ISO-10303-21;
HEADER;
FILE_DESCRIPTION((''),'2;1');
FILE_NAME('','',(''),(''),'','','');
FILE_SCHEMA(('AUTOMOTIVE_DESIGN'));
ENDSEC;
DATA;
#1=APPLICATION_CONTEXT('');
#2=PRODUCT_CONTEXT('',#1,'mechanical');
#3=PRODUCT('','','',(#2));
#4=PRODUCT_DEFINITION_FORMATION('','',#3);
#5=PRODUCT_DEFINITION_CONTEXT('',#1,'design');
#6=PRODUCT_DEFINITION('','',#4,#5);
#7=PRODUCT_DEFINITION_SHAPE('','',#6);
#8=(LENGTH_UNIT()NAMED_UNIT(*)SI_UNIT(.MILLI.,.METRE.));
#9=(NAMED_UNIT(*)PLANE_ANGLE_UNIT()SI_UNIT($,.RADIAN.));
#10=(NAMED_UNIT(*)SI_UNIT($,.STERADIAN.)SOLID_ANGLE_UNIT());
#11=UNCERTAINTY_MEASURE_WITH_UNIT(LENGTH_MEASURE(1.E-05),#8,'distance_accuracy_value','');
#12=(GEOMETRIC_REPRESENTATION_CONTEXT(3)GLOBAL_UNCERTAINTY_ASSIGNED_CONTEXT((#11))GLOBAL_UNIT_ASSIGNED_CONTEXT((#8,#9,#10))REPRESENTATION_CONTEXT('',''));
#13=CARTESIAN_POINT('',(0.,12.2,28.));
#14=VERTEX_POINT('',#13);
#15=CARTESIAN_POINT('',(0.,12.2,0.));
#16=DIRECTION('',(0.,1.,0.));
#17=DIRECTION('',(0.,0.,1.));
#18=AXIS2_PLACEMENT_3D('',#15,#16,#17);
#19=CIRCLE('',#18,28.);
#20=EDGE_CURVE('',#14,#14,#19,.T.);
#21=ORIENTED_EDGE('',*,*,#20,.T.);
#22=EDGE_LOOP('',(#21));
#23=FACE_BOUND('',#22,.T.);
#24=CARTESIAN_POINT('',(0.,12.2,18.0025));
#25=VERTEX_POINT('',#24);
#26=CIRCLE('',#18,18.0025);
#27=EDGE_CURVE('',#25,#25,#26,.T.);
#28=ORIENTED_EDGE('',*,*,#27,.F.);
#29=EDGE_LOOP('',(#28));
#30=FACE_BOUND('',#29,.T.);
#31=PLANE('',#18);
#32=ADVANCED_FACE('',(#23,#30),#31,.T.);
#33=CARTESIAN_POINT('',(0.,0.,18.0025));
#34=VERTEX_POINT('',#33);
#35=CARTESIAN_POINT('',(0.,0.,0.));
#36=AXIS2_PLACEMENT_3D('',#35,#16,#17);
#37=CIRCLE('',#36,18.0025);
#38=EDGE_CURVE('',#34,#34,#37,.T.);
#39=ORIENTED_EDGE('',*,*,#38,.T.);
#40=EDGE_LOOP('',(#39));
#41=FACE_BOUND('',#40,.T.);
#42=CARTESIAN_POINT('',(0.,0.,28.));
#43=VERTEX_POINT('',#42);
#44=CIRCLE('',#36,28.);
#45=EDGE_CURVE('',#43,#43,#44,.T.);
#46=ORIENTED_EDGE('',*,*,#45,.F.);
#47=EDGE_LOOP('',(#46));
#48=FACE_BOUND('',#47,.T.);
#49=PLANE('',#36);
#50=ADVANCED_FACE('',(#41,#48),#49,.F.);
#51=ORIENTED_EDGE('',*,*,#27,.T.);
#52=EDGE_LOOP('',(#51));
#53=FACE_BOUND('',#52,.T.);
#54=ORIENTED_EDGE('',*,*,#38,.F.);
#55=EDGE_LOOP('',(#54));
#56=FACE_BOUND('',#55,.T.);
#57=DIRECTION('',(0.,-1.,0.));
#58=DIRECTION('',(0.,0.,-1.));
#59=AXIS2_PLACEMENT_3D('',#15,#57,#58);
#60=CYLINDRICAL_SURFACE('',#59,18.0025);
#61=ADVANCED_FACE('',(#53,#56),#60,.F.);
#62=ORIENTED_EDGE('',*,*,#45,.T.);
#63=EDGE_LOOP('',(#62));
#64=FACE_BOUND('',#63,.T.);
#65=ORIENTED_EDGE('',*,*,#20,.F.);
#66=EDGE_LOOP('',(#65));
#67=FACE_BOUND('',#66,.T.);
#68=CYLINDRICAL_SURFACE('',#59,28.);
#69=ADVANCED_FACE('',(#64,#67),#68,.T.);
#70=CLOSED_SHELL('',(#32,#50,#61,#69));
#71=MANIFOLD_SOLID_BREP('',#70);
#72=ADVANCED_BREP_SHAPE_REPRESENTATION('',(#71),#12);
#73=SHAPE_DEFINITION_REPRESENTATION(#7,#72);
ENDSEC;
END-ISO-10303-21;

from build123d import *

# Parameters (mm, degrees)
SKETCH1_R           = 28
BOSS_EXTRUDE1_DEPTH = 12.2
SKETCH2_R           = 18.0025
CUT_EXTRUDE1_DEPTH  = 13.2


with BuildPart() as part:
    # Sketch1 → Boss-Extrude1 (new body)
    with BuildSketch(Plane(origin=(0, 0, 0), x_dir=(1, 0, 0), z_dir=(0, 1, 0))):
        Circle(SKETCH1_R)
    extrude(amount=BOSS_EXTRUDE1_DEPTH)

    # Sketch2 → Cut-Extrude1 (cut, through all)
    with BuildSketch(Plane(origin=(0, 0, 0), x_dir=(1, 0, 0), z_dir=(0, 1, 0))):
        Circle(SKETCH2_R)
    extrude(amount=CUT_EXTRUDE1_DEPTH, mode=Mode.SUBTRACT)


solid = part.part
